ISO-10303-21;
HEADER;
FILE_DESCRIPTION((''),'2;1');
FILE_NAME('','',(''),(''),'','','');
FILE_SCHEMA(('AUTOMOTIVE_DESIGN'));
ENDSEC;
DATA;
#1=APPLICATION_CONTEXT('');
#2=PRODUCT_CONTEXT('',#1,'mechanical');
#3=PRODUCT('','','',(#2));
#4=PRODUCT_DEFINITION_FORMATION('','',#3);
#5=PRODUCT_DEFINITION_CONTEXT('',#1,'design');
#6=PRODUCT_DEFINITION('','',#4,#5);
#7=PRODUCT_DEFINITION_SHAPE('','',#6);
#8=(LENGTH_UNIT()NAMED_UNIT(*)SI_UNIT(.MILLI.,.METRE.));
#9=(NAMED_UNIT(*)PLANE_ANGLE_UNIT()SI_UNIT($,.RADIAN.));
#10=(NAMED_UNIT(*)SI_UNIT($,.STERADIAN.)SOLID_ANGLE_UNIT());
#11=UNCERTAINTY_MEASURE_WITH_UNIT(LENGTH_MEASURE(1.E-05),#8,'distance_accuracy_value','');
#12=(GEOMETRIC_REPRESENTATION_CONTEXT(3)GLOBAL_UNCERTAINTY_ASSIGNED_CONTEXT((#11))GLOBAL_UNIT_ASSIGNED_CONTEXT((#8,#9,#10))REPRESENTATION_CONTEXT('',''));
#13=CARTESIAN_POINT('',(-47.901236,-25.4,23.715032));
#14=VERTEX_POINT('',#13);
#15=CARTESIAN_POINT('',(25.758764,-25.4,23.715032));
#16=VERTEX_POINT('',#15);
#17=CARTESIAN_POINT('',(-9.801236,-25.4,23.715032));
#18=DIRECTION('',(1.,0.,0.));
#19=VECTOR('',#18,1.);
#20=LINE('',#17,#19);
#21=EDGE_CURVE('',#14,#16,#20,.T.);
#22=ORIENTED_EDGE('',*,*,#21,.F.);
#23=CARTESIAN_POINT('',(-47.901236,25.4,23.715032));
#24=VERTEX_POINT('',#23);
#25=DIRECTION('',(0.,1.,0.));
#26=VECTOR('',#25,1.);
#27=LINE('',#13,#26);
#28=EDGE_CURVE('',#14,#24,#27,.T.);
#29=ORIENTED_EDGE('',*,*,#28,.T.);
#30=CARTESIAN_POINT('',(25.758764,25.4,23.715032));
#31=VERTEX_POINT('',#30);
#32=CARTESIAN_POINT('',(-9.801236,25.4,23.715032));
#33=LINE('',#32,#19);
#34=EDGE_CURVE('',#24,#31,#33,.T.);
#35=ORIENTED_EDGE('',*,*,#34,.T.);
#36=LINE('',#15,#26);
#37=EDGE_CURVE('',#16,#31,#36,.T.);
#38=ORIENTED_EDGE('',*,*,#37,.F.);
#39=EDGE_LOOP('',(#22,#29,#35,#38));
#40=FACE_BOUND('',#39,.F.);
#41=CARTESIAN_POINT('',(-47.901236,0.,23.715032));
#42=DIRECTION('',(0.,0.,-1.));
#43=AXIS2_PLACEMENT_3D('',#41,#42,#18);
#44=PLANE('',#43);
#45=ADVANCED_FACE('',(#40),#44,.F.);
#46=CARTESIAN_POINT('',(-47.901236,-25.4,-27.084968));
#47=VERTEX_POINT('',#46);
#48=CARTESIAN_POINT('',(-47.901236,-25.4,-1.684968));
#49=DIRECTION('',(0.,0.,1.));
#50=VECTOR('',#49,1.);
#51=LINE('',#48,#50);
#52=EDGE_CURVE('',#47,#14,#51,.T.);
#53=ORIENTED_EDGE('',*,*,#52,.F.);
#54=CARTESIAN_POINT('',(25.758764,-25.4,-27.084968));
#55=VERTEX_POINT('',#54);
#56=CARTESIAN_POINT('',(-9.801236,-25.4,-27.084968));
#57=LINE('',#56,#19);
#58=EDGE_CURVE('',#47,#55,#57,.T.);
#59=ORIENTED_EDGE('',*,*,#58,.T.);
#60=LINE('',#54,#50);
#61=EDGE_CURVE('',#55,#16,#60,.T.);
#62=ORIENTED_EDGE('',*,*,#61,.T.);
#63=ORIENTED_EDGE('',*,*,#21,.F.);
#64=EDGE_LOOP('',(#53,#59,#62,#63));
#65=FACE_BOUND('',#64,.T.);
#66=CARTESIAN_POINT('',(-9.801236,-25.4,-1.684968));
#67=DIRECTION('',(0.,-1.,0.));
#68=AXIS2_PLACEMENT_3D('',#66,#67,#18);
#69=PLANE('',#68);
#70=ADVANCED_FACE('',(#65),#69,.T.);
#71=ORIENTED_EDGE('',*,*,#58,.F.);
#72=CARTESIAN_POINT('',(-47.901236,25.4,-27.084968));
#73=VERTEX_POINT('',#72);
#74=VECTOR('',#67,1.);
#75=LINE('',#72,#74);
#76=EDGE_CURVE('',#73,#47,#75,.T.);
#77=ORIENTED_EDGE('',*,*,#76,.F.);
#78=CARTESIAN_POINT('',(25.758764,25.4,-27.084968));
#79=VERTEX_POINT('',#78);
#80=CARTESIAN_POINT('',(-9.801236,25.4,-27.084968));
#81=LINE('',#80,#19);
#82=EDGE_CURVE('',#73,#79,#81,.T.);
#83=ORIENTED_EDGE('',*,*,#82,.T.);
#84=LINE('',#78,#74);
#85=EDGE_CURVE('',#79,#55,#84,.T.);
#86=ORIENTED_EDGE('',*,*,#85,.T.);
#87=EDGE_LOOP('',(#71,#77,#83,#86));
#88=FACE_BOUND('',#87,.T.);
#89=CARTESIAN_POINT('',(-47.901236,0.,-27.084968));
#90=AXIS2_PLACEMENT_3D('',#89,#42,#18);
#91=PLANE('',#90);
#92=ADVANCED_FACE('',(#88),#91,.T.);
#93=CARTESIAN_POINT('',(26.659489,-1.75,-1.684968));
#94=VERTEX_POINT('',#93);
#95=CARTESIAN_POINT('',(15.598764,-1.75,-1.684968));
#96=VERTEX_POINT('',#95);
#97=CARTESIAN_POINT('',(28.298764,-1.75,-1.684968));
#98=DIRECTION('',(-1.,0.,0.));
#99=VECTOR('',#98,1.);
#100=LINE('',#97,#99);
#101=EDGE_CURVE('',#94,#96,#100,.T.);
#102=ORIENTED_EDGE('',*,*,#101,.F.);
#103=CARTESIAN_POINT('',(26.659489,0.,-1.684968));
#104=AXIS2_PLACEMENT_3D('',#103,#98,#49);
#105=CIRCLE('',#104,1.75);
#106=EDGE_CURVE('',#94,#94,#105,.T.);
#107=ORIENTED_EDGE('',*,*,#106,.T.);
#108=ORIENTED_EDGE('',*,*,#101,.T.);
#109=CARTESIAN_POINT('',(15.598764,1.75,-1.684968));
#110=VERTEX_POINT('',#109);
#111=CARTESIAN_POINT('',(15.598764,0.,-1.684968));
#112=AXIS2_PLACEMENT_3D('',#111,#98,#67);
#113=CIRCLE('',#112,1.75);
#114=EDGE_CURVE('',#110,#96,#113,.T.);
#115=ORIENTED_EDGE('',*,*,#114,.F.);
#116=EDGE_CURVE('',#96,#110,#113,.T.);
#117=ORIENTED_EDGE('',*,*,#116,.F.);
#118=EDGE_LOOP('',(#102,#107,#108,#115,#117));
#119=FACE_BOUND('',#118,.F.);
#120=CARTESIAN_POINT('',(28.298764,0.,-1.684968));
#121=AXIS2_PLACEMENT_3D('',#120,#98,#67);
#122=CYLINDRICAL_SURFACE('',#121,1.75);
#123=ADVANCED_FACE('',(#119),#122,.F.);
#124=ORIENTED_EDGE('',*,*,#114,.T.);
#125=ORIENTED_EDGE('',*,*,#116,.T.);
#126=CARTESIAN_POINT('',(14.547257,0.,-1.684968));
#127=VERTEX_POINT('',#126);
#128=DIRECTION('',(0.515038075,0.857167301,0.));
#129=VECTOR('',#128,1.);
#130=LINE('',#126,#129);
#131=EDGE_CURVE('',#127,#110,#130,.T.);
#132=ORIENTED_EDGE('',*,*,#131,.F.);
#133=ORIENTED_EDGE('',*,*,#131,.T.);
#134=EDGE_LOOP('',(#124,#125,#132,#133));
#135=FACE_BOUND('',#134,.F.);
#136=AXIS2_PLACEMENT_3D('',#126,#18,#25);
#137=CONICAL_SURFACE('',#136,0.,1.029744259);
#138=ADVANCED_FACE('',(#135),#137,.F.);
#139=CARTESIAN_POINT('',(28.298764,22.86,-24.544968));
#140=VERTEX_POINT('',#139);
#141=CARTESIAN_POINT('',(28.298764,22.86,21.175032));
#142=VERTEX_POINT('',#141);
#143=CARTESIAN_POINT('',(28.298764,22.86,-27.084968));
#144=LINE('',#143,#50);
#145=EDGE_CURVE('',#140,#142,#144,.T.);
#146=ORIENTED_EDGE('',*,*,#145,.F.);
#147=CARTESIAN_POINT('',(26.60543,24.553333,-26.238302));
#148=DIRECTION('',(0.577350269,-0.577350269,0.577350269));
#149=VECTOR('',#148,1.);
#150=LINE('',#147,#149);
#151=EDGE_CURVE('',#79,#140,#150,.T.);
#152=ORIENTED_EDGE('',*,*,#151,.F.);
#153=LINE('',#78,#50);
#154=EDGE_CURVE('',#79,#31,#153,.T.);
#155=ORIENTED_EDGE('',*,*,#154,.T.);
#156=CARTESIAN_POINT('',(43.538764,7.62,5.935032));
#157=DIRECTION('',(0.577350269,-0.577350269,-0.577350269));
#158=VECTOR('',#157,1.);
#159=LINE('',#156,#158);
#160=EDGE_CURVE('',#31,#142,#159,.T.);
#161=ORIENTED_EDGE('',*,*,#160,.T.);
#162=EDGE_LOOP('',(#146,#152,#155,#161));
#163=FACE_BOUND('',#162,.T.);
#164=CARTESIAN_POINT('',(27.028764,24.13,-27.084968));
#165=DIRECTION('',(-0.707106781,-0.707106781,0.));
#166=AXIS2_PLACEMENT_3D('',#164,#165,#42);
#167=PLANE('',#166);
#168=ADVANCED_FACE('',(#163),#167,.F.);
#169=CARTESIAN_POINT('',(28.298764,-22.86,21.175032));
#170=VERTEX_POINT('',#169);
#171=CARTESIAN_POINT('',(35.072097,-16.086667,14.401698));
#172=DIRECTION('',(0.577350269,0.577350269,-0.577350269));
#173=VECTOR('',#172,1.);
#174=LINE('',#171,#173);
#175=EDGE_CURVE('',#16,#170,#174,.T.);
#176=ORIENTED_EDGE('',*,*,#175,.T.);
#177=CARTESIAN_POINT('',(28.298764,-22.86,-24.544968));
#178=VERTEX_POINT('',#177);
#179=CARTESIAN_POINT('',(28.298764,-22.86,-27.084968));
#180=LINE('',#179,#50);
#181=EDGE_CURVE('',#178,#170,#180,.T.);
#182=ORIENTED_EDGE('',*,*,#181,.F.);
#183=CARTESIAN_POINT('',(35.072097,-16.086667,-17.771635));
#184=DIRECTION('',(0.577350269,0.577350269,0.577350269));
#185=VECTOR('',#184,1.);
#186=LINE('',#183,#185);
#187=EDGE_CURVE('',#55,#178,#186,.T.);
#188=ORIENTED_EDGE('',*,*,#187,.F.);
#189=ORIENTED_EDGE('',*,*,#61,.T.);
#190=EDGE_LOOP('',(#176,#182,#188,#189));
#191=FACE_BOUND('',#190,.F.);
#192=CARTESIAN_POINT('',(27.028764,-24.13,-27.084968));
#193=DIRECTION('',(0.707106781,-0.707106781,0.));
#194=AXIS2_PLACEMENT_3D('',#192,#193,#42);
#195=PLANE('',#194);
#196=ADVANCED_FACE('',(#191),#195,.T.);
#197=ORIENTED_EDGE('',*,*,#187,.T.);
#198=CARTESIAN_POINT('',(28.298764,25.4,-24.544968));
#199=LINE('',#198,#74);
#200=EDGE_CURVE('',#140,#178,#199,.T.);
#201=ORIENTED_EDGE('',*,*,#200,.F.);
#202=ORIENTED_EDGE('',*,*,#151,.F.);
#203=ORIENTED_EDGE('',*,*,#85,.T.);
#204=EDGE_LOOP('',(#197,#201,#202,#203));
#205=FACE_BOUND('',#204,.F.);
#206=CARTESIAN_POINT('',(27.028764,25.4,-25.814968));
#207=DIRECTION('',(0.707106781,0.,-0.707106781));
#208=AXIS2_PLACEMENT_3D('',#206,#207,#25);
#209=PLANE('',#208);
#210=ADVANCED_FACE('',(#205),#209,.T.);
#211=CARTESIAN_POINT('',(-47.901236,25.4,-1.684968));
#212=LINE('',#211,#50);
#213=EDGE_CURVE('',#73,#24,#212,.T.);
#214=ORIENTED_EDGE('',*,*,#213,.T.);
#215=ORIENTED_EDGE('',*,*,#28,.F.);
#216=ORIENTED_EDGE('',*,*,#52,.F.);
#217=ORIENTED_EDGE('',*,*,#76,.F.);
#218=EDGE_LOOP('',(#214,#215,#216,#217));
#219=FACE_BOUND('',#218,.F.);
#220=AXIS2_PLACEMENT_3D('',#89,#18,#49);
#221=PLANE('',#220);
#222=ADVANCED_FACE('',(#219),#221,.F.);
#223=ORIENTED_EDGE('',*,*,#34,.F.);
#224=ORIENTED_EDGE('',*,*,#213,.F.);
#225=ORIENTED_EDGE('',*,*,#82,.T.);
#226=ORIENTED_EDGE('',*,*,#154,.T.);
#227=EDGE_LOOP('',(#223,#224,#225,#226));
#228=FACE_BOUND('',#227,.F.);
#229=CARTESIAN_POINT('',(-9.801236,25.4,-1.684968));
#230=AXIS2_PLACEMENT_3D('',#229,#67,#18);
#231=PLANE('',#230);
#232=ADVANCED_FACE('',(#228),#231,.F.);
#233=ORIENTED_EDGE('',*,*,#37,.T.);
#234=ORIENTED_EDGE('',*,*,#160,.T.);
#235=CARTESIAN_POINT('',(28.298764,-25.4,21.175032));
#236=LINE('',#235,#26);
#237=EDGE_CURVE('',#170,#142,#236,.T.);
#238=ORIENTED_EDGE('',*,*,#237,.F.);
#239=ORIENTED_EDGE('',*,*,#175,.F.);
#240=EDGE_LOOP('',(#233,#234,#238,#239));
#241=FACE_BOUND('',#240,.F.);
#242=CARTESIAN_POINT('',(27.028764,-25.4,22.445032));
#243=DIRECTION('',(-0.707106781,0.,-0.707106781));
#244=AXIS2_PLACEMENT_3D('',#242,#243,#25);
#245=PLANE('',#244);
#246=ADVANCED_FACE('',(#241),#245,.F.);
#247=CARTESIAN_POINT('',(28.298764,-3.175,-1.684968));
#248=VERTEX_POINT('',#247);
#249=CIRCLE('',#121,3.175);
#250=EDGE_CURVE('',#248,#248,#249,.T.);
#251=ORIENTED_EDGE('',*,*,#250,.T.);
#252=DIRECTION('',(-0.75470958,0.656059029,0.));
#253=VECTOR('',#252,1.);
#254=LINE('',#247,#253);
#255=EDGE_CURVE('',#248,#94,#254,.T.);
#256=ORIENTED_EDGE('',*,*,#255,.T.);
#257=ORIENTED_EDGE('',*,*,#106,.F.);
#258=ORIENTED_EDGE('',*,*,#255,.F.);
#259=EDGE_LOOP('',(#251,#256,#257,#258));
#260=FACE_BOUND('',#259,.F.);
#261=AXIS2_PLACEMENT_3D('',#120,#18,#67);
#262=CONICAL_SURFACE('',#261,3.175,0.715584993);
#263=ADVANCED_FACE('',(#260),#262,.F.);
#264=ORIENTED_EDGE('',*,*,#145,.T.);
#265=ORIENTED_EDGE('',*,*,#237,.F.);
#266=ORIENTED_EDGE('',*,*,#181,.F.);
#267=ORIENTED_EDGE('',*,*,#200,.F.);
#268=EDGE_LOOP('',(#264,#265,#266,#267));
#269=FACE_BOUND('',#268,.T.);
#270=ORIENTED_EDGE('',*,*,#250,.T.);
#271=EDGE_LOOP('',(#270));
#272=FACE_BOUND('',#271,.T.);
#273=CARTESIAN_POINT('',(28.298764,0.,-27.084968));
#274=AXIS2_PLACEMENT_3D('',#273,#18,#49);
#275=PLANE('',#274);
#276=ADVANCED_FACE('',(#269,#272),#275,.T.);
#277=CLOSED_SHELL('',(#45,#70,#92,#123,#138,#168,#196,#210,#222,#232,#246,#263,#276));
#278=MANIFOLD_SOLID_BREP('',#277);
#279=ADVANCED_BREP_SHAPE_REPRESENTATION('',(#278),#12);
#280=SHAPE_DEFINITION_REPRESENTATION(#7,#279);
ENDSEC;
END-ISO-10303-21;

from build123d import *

# Parameters (mm, degrees)
F0_W           = 76.2
F0_H           = 50.8
F1_DEPTH       = 25.4
F3_D           = 3.5
F3_DEPTH       = 12.7
F3_CSINK_D     = 6.35
F3_CSINK_ANGLE = 82
F3_TIP         = 1.0515060833
F4_SIZE        = 2.54


with BuildPart() as f1:
    # F0 (on Front) → F1 (new body, symmetric)
    with BuildSketch(Plane.XZ):
        with Locations((-9.801236459, -1.6849683598)):
            Rectangle(F0_W, F0_H)
    extrude(amount=F1_DEPTH, both=True)

    # F3
    with Locations(Plane.YZ.offset(28.298763541)):
        with Locations((0, -1.6849683598)):
            CounterSinkHole(F3_D / 2, F3_CSINK_D / 2, depth=F3_DEPTH, counter_sink_angle=F3_CSINK_ANGLE)
            with Locations((0, 0, -(F3_DEPTH + F3_TIP / 2))):  # 118° drill point
                Cone(0, F3_D / 2, F3_TIP, mode=Mode.SUBTRACT)

    # F4
    f4_edges = [f1.edges().sort_by_distance(p)[0] for p in [
        (28.298764, 0, -27.084968),
        (28.298764, -25.4, -1.684968),
        (28.298764, 0, 23.715032),
        (28.298764, 25.4, -1.684968),
    ]]
    chamfer(f4_edges, length=F4_SIZE)


solid = f1.part
